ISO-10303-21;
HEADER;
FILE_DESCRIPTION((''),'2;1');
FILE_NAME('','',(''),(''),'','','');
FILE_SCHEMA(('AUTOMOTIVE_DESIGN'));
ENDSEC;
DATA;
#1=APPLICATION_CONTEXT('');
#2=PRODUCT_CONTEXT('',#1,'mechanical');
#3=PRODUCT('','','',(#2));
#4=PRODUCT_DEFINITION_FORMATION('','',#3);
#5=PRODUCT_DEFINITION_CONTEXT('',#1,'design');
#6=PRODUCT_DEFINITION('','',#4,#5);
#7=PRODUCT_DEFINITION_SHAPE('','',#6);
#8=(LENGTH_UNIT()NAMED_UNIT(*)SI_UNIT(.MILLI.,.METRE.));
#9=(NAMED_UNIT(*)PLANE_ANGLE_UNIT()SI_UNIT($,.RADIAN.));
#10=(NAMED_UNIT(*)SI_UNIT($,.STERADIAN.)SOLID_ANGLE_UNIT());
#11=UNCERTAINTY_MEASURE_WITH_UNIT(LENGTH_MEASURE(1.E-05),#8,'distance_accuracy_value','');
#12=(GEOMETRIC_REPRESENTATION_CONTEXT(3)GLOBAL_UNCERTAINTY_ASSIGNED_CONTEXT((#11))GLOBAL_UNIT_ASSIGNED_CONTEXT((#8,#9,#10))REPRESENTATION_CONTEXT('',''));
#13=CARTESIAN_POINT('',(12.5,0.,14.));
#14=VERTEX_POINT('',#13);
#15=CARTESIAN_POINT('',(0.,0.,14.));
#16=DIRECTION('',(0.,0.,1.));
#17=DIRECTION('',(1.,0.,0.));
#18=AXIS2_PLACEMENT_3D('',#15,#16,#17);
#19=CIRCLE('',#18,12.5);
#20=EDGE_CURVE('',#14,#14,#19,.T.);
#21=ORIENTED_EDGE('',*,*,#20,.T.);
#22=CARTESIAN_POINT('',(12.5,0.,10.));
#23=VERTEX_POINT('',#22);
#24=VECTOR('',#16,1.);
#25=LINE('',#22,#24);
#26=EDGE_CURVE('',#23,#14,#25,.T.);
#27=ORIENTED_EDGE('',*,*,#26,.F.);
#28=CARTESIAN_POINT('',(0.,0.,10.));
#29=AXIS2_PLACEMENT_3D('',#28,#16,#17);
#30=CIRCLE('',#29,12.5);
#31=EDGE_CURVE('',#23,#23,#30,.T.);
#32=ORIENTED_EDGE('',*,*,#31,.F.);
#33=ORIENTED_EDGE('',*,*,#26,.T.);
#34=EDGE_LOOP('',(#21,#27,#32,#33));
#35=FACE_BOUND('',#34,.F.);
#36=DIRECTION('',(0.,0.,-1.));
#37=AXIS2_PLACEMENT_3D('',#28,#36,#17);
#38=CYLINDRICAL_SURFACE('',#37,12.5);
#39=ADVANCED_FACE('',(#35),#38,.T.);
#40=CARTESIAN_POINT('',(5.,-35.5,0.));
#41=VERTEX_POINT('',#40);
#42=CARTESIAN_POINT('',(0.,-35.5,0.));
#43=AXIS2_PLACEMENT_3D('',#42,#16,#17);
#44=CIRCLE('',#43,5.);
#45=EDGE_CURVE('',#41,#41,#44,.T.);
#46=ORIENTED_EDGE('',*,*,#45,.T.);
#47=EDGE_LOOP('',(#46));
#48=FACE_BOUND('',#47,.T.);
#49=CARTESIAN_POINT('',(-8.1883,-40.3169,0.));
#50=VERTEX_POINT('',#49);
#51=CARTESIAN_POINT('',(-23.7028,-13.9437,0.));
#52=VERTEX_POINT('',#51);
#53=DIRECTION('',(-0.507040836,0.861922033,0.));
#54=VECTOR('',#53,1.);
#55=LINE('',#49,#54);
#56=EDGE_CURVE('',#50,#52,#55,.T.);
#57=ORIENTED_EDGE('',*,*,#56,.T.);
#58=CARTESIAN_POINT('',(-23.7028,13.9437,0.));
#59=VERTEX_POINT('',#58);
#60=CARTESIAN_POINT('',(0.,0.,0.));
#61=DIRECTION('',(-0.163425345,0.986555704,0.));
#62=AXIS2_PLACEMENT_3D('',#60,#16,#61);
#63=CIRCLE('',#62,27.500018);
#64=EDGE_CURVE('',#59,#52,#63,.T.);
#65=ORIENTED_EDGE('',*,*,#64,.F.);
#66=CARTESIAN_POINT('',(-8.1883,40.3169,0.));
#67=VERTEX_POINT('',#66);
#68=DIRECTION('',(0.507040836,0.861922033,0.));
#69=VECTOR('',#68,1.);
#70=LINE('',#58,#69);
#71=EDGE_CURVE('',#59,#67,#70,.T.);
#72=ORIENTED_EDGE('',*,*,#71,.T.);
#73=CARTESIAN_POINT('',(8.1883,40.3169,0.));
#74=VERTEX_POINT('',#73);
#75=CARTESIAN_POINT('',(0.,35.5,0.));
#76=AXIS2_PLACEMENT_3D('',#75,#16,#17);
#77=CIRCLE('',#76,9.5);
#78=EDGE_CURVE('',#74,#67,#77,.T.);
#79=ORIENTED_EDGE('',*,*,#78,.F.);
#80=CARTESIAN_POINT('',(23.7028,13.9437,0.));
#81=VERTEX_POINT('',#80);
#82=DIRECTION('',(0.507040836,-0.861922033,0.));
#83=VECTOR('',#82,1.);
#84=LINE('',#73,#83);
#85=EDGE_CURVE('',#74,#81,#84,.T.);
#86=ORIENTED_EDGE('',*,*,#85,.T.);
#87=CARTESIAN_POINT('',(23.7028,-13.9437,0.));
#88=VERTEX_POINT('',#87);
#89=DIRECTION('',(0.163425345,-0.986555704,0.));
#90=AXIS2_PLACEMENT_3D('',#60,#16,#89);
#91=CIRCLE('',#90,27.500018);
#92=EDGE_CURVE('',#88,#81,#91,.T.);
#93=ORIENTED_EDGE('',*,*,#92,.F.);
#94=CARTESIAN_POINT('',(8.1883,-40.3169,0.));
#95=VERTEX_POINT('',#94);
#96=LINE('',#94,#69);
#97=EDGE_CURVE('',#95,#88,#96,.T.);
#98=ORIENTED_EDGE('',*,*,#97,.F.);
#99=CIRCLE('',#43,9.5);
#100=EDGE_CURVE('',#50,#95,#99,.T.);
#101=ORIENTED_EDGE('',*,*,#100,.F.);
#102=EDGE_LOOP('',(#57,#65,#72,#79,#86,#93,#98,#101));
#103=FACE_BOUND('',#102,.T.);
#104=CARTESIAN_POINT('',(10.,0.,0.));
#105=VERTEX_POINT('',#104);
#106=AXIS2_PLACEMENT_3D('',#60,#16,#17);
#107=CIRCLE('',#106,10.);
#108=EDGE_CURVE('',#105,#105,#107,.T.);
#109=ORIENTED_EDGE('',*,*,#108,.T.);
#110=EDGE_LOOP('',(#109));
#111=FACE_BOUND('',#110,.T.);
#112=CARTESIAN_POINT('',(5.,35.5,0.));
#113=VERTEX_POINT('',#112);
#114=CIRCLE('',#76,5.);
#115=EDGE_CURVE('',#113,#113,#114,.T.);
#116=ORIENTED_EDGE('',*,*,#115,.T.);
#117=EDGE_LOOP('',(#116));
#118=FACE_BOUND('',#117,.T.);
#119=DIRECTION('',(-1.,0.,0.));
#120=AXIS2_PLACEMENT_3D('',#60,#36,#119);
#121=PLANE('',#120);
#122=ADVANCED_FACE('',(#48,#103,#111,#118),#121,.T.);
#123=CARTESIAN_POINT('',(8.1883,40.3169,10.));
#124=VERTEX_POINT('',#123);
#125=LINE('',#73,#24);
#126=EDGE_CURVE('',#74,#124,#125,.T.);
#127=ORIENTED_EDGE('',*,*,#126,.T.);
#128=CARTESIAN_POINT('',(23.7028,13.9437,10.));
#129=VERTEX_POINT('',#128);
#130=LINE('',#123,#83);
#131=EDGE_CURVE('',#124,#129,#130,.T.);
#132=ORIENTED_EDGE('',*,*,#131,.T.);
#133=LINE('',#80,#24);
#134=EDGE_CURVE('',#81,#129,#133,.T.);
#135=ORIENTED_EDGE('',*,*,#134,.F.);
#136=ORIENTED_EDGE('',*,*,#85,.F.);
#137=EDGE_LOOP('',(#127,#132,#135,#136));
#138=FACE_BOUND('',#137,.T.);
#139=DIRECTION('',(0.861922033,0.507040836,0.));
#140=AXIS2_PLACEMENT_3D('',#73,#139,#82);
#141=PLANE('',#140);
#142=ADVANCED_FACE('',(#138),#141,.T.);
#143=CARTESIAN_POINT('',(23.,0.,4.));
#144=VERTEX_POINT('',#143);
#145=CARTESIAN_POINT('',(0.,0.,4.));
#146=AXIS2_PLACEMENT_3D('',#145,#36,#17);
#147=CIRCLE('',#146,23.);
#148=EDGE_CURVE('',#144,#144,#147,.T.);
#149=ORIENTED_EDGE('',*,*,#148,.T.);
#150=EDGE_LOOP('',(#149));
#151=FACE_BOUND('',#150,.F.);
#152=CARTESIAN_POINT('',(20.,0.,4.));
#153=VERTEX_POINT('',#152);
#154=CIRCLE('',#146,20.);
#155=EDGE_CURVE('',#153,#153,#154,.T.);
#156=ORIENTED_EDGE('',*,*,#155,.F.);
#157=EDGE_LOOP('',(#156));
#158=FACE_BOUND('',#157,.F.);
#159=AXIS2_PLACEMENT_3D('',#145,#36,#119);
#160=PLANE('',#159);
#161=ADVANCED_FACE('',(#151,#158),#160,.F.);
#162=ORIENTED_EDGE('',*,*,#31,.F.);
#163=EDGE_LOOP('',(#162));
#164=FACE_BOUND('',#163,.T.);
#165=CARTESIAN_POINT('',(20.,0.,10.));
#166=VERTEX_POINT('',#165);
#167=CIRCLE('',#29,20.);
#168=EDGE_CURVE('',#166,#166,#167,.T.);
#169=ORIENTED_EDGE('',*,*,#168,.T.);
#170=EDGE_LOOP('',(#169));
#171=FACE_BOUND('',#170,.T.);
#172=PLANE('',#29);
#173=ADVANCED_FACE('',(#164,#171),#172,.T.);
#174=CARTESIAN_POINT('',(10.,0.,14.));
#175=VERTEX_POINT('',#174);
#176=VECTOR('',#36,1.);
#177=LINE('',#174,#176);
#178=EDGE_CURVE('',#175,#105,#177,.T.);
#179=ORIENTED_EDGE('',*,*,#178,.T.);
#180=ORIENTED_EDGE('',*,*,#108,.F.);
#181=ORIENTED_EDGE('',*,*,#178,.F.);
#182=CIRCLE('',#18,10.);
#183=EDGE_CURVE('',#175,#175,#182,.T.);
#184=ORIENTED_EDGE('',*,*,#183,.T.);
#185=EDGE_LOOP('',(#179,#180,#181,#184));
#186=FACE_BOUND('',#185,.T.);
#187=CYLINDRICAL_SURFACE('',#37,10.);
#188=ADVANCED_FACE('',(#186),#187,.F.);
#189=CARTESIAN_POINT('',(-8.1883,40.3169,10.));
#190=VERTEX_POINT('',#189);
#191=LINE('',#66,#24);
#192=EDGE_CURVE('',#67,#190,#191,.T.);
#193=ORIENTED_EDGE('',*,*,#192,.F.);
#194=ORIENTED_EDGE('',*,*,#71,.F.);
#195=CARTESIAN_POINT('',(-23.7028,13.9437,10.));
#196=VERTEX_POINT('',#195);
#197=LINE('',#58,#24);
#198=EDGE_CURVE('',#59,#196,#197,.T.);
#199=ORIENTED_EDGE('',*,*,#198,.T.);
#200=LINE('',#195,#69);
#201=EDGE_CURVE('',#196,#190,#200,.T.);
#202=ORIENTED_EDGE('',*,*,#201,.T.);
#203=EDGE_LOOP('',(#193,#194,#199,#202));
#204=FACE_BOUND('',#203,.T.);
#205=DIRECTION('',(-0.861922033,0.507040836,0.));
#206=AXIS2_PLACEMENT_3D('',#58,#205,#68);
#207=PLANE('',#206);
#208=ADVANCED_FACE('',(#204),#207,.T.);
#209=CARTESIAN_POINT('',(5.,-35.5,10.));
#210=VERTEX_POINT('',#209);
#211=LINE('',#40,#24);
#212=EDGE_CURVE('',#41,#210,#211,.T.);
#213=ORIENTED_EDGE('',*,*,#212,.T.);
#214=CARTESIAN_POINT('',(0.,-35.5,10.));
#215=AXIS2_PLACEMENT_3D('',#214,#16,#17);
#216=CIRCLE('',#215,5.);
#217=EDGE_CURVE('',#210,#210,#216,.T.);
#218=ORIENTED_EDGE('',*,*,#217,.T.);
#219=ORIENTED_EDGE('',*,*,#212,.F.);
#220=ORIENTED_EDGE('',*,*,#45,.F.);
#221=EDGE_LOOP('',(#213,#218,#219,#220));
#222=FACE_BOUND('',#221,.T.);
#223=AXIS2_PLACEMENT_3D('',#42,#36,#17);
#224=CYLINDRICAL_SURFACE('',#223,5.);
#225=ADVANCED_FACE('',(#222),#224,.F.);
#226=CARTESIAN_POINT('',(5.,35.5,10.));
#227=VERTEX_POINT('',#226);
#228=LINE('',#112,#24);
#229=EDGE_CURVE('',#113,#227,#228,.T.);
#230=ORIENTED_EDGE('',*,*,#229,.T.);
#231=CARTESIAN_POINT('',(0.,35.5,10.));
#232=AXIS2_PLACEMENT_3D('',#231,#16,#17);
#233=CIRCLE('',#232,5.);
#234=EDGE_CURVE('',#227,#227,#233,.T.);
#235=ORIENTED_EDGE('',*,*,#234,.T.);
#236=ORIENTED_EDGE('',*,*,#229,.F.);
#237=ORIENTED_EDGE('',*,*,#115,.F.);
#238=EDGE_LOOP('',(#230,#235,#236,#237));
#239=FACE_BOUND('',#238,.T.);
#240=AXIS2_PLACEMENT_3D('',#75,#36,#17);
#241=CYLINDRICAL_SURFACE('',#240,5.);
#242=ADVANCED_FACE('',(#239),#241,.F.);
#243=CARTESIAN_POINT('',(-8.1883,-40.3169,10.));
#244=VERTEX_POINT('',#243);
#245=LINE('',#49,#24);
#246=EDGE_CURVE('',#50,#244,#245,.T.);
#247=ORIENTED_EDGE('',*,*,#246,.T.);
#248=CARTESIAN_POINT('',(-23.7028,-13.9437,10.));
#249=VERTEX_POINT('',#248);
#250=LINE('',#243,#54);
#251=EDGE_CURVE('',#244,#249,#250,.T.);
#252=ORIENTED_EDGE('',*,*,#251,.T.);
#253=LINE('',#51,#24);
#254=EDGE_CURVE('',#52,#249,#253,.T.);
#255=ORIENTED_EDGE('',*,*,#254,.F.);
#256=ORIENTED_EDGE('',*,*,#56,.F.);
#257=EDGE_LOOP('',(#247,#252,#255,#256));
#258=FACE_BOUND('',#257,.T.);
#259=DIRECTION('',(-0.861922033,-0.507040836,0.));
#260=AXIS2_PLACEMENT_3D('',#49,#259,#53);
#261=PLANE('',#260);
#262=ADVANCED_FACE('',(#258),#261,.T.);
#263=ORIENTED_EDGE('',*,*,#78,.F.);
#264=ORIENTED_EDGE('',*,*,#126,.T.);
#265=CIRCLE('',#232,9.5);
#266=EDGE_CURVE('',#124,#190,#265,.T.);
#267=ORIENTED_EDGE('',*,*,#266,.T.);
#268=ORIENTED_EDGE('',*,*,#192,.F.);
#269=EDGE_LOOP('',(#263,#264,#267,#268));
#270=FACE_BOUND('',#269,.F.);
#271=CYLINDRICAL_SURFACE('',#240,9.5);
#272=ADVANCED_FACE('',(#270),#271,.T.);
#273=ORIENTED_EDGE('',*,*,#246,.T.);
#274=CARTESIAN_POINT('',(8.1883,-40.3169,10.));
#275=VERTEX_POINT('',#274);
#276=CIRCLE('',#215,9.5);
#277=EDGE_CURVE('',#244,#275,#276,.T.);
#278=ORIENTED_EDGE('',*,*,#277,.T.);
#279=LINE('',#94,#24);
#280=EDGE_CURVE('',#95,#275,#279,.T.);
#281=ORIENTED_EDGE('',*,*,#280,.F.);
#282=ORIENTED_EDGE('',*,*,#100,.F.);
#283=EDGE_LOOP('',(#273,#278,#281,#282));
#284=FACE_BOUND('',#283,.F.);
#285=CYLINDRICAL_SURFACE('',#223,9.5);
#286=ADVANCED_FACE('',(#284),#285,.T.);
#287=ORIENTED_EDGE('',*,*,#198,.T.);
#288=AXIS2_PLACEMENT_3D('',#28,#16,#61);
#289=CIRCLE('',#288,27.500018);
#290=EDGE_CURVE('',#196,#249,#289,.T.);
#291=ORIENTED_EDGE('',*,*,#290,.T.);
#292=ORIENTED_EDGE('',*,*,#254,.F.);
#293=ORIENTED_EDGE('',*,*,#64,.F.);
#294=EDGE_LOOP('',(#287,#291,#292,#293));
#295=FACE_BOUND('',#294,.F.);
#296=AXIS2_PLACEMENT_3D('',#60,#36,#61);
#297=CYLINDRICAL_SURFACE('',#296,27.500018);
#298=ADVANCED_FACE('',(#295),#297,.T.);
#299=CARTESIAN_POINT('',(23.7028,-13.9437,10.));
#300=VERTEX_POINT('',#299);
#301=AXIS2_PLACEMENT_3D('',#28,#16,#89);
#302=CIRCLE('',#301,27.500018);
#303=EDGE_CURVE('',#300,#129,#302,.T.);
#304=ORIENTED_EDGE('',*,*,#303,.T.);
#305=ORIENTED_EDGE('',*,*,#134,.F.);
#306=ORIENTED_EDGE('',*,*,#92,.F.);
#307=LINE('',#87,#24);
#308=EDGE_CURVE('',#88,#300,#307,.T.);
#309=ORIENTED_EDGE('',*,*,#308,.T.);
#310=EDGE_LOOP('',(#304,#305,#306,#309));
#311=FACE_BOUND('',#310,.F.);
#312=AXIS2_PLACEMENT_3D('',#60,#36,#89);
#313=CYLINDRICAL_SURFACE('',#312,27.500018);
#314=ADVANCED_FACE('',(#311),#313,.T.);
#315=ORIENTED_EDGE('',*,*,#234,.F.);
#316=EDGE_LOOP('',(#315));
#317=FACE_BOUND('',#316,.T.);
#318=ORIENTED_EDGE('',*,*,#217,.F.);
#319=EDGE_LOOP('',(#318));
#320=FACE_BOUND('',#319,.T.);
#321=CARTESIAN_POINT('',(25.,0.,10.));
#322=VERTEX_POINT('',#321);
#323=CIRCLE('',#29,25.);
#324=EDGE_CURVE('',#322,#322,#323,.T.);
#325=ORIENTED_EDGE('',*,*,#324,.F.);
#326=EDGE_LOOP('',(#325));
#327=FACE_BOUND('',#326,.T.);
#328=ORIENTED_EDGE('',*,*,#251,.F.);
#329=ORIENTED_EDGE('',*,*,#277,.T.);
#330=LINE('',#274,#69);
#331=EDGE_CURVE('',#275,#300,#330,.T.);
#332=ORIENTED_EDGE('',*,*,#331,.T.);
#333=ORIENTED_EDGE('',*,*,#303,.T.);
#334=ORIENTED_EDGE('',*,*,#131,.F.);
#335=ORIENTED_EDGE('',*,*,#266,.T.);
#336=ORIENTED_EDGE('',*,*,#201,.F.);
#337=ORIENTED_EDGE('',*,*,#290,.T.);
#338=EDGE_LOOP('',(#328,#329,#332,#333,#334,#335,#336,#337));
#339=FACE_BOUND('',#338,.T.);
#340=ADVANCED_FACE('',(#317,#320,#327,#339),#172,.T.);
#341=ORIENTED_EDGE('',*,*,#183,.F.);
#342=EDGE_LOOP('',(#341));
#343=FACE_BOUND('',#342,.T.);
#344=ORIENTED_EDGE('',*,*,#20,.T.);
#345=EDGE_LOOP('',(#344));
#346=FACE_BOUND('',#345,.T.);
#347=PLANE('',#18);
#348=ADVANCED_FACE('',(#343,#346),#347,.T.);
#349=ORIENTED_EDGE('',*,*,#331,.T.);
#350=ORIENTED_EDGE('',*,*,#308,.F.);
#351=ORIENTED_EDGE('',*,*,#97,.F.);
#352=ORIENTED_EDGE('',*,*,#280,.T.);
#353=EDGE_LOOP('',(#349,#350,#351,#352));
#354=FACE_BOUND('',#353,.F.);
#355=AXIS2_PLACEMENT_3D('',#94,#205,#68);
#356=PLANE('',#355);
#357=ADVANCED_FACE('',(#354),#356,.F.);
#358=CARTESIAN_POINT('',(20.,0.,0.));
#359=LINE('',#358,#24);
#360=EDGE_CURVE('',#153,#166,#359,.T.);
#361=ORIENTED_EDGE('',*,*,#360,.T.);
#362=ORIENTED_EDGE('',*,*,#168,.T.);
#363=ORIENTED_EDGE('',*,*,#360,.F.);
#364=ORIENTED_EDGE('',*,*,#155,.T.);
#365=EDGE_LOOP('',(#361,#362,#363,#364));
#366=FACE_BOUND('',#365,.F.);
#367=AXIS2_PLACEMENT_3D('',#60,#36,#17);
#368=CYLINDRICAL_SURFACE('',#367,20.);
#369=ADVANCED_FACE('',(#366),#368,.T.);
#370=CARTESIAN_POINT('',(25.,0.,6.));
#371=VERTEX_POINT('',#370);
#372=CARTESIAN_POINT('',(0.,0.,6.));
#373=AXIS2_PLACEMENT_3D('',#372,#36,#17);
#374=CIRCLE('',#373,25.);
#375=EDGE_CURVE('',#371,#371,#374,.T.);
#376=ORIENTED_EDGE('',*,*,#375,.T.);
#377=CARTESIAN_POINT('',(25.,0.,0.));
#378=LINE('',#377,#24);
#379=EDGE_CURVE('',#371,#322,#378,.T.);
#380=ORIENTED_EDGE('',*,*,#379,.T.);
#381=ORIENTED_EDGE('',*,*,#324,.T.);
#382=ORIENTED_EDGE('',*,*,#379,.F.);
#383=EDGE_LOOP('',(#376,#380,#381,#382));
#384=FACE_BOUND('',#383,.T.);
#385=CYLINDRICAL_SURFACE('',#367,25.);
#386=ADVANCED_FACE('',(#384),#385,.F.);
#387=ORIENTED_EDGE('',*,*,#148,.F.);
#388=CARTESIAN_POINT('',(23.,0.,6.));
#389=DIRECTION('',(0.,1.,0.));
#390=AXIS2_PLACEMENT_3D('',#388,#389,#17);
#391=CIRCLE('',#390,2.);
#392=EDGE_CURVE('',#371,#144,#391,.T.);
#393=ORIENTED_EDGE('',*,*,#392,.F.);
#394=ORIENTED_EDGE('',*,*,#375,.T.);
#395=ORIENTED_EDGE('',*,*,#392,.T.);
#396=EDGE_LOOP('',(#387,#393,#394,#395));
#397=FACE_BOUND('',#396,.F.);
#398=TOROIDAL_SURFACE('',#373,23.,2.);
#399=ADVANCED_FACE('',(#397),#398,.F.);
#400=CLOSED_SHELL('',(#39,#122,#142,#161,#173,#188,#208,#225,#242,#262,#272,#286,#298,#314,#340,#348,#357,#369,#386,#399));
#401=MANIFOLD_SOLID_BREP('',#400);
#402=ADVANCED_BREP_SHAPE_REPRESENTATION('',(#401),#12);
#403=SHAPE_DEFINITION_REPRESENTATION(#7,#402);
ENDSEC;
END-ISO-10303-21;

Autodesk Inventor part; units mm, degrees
ref_plane "YZ Plane" through (0, 0, 0) normal (1, 0, 0) x (0, 1, 0)
ref_plane "XZ Plane" through (0, 0, 0) normal (0, 1, 0) x (-1, 0, 0)
ref_plane "XY Plane" through (0, 0, 0) normal (0, 0, 1) x (1, 0, 0)
sketch "Sketch1" plane through (0, 0, 0) normal (0, 0, 1) x (1, 0, 0)
  circle A0 centre (0, 0) radius 10
  circle A1 centre (0, 35.5) radius 5
  circle A2 centre (0, -35.5) radius 5
  circle A3 centre (0, -35.5) radius 9.5
  circle A4 centre (0, 35.5) radius 9.5
  circle A5 centre (0, 0) radius 25
  circle A6 centre (0, 0) radius 20
  line L0 (-23.7028, 13.9437) -> (-8.1883, 40.3169)
  line L1 (8.1883, 40.3169) -> (23.7028, 13.9437)
  line L2 (8.1883, -40.3169) -> (23.7028, -13.9437)
  line L3 (-8.1883, -40.3169) -> (-23.7028, -13.9437)
  arc A7 (-4.4942, 27.1303) -> (-4.4942, -27.1303) centre (0, 0) ccw
  arc A8 (4.4942, -27.1303) -> (4.4942, 27.1303) centre (0, 0) ccw
  dimension "d0" = 20
  dimension "d4" = 10
  dimension "d5" = 10
  dimension "d7" = 19
  dimension "d8" = 50
  dimension "d9" = 40
extrude "Extrusion1" add sketch "Sketch1" along normal blind 10
sketch "Sketch2" plane through (0, 0, 10) normal (0, 0, 1) x (1, 0, 0)
  circle A0 centre (0, 0) radius 10
  circle A1 centre (0, 0) radius 12.5
  dimension "d14" = 25
extrude "Extrusion2" add sketch "Sketch2" along normal blind 4
sketch "Sketch3" plane through (0, 0, 0) normal (0, 0, -1) x (-1, 0, 0)
  circle A0 centre (0, 0) radius 20
  circle A1 centre (0, 0) radius 25
extrude "Extrusion3" add sketch "Sketch3" against normal blind 4
fillet "Fillet1" radius 2 1 edges at (-25, 0, 4)
properties part number "bearing"
